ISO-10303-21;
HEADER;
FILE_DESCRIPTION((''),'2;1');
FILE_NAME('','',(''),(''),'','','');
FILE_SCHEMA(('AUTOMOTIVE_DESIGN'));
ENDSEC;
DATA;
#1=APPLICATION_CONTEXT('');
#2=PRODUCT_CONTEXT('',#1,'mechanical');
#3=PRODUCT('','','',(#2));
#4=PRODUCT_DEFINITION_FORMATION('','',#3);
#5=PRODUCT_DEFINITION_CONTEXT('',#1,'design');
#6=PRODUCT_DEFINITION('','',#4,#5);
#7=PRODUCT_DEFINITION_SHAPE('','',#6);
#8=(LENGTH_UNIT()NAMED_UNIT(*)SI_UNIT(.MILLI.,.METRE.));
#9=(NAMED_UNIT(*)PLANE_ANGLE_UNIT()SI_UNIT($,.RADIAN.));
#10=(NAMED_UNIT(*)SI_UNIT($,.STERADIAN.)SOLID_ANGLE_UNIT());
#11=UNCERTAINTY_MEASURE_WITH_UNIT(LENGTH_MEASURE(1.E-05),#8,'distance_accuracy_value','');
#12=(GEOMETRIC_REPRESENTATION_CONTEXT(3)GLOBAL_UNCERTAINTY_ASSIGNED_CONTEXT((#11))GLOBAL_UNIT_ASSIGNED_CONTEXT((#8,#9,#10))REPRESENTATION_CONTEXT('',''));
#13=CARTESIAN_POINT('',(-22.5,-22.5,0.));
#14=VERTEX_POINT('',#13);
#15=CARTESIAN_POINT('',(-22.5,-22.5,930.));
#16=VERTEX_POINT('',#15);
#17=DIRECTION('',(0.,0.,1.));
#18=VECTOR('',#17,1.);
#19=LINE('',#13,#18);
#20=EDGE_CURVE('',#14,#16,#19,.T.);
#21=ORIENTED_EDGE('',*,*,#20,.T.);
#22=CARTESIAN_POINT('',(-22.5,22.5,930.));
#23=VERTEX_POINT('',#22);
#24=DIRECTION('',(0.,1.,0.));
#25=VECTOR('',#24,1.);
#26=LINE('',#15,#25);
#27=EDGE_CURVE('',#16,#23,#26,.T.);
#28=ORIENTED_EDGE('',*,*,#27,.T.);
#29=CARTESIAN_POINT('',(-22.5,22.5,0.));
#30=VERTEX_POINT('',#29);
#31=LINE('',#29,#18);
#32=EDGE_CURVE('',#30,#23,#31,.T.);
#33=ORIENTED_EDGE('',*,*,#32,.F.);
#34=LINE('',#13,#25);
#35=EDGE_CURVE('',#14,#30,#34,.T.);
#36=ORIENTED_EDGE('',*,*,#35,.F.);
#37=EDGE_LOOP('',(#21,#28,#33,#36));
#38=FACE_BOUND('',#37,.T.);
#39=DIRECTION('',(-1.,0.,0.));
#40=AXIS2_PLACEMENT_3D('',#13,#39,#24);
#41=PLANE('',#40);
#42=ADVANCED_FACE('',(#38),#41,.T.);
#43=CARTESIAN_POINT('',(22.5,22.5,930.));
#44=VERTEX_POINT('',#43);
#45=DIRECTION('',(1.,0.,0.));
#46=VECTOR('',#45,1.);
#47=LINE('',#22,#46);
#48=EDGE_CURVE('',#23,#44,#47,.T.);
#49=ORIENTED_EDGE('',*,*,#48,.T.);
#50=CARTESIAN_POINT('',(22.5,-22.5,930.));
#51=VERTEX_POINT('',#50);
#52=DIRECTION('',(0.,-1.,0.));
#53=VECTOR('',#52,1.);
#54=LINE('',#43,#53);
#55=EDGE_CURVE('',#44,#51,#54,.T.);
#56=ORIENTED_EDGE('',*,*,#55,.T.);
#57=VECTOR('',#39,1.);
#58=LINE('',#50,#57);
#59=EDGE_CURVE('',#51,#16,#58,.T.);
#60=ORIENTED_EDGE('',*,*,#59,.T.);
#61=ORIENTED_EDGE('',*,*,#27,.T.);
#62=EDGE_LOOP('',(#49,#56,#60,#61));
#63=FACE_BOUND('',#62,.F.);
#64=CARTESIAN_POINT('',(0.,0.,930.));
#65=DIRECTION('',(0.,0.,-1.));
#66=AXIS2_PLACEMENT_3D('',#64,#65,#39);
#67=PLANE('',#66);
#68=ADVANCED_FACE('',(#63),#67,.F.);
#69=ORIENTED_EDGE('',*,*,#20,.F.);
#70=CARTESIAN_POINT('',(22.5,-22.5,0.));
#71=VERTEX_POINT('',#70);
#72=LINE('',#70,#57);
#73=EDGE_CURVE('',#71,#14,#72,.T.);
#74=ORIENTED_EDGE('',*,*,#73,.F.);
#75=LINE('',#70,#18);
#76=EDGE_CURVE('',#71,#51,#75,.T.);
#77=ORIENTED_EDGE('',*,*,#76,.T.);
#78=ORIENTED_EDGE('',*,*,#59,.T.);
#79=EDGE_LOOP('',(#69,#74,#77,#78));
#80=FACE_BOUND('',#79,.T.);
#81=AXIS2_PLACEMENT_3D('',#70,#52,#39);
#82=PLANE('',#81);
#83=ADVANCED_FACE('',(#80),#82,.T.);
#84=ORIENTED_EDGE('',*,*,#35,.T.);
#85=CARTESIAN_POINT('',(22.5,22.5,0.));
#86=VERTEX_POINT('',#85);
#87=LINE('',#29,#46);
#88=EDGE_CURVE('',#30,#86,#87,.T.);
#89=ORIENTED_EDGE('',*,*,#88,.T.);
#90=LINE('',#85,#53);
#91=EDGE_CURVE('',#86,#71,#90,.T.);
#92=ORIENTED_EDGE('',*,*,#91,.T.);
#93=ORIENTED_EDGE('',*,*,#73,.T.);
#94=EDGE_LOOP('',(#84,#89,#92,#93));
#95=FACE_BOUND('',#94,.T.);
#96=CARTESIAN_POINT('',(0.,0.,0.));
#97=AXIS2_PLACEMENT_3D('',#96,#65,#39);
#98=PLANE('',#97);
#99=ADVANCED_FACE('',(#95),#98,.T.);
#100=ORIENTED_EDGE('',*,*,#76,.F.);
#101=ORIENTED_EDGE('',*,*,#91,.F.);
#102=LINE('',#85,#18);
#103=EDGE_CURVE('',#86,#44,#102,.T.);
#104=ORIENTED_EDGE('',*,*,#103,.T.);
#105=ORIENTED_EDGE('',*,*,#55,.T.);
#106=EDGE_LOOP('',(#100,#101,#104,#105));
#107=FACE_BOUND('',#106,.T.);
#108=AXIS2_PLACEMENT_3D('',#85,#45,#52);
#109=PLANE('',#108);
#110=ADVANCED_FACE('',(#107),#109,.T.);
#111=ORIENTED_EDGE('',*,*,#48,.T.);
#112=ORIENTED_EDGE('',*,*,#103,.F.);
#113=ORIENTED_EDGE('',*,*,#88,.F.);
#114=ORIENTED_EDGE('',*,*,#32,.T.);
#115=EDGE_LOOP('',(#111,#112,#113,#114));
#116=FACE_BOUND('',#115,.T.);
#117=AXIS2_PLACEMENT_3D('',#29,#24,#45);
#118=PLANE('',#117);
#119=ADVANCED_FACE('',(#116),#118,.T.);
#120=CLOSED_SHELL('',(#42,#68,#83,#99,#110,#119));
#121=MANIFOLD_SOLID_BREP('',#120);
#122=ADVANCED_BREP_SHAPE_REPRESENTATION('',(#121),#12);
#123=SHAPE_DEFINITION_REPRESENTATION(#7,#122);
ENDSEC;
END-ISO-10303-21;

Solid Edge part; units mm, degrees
sketch "Sketch1" plane through (0, 0, 0) normal (0, 0, -1) x (-1, 0, 0)
  line L0 (-22.5, -22.5) -> (22.5, -22.5)
  line L1 (22.5, -22.5) -> (22.5, 22.5)
  line L2 (22.5, 22.5) -> (-22.5, 22.5)
  line L3 (-22.5, 22.5) -> (-22.5, -22.5)
extrude "Protrusion1" add sketch "Sketch1" against normal blind 930
properties material "Wood, Pine"
